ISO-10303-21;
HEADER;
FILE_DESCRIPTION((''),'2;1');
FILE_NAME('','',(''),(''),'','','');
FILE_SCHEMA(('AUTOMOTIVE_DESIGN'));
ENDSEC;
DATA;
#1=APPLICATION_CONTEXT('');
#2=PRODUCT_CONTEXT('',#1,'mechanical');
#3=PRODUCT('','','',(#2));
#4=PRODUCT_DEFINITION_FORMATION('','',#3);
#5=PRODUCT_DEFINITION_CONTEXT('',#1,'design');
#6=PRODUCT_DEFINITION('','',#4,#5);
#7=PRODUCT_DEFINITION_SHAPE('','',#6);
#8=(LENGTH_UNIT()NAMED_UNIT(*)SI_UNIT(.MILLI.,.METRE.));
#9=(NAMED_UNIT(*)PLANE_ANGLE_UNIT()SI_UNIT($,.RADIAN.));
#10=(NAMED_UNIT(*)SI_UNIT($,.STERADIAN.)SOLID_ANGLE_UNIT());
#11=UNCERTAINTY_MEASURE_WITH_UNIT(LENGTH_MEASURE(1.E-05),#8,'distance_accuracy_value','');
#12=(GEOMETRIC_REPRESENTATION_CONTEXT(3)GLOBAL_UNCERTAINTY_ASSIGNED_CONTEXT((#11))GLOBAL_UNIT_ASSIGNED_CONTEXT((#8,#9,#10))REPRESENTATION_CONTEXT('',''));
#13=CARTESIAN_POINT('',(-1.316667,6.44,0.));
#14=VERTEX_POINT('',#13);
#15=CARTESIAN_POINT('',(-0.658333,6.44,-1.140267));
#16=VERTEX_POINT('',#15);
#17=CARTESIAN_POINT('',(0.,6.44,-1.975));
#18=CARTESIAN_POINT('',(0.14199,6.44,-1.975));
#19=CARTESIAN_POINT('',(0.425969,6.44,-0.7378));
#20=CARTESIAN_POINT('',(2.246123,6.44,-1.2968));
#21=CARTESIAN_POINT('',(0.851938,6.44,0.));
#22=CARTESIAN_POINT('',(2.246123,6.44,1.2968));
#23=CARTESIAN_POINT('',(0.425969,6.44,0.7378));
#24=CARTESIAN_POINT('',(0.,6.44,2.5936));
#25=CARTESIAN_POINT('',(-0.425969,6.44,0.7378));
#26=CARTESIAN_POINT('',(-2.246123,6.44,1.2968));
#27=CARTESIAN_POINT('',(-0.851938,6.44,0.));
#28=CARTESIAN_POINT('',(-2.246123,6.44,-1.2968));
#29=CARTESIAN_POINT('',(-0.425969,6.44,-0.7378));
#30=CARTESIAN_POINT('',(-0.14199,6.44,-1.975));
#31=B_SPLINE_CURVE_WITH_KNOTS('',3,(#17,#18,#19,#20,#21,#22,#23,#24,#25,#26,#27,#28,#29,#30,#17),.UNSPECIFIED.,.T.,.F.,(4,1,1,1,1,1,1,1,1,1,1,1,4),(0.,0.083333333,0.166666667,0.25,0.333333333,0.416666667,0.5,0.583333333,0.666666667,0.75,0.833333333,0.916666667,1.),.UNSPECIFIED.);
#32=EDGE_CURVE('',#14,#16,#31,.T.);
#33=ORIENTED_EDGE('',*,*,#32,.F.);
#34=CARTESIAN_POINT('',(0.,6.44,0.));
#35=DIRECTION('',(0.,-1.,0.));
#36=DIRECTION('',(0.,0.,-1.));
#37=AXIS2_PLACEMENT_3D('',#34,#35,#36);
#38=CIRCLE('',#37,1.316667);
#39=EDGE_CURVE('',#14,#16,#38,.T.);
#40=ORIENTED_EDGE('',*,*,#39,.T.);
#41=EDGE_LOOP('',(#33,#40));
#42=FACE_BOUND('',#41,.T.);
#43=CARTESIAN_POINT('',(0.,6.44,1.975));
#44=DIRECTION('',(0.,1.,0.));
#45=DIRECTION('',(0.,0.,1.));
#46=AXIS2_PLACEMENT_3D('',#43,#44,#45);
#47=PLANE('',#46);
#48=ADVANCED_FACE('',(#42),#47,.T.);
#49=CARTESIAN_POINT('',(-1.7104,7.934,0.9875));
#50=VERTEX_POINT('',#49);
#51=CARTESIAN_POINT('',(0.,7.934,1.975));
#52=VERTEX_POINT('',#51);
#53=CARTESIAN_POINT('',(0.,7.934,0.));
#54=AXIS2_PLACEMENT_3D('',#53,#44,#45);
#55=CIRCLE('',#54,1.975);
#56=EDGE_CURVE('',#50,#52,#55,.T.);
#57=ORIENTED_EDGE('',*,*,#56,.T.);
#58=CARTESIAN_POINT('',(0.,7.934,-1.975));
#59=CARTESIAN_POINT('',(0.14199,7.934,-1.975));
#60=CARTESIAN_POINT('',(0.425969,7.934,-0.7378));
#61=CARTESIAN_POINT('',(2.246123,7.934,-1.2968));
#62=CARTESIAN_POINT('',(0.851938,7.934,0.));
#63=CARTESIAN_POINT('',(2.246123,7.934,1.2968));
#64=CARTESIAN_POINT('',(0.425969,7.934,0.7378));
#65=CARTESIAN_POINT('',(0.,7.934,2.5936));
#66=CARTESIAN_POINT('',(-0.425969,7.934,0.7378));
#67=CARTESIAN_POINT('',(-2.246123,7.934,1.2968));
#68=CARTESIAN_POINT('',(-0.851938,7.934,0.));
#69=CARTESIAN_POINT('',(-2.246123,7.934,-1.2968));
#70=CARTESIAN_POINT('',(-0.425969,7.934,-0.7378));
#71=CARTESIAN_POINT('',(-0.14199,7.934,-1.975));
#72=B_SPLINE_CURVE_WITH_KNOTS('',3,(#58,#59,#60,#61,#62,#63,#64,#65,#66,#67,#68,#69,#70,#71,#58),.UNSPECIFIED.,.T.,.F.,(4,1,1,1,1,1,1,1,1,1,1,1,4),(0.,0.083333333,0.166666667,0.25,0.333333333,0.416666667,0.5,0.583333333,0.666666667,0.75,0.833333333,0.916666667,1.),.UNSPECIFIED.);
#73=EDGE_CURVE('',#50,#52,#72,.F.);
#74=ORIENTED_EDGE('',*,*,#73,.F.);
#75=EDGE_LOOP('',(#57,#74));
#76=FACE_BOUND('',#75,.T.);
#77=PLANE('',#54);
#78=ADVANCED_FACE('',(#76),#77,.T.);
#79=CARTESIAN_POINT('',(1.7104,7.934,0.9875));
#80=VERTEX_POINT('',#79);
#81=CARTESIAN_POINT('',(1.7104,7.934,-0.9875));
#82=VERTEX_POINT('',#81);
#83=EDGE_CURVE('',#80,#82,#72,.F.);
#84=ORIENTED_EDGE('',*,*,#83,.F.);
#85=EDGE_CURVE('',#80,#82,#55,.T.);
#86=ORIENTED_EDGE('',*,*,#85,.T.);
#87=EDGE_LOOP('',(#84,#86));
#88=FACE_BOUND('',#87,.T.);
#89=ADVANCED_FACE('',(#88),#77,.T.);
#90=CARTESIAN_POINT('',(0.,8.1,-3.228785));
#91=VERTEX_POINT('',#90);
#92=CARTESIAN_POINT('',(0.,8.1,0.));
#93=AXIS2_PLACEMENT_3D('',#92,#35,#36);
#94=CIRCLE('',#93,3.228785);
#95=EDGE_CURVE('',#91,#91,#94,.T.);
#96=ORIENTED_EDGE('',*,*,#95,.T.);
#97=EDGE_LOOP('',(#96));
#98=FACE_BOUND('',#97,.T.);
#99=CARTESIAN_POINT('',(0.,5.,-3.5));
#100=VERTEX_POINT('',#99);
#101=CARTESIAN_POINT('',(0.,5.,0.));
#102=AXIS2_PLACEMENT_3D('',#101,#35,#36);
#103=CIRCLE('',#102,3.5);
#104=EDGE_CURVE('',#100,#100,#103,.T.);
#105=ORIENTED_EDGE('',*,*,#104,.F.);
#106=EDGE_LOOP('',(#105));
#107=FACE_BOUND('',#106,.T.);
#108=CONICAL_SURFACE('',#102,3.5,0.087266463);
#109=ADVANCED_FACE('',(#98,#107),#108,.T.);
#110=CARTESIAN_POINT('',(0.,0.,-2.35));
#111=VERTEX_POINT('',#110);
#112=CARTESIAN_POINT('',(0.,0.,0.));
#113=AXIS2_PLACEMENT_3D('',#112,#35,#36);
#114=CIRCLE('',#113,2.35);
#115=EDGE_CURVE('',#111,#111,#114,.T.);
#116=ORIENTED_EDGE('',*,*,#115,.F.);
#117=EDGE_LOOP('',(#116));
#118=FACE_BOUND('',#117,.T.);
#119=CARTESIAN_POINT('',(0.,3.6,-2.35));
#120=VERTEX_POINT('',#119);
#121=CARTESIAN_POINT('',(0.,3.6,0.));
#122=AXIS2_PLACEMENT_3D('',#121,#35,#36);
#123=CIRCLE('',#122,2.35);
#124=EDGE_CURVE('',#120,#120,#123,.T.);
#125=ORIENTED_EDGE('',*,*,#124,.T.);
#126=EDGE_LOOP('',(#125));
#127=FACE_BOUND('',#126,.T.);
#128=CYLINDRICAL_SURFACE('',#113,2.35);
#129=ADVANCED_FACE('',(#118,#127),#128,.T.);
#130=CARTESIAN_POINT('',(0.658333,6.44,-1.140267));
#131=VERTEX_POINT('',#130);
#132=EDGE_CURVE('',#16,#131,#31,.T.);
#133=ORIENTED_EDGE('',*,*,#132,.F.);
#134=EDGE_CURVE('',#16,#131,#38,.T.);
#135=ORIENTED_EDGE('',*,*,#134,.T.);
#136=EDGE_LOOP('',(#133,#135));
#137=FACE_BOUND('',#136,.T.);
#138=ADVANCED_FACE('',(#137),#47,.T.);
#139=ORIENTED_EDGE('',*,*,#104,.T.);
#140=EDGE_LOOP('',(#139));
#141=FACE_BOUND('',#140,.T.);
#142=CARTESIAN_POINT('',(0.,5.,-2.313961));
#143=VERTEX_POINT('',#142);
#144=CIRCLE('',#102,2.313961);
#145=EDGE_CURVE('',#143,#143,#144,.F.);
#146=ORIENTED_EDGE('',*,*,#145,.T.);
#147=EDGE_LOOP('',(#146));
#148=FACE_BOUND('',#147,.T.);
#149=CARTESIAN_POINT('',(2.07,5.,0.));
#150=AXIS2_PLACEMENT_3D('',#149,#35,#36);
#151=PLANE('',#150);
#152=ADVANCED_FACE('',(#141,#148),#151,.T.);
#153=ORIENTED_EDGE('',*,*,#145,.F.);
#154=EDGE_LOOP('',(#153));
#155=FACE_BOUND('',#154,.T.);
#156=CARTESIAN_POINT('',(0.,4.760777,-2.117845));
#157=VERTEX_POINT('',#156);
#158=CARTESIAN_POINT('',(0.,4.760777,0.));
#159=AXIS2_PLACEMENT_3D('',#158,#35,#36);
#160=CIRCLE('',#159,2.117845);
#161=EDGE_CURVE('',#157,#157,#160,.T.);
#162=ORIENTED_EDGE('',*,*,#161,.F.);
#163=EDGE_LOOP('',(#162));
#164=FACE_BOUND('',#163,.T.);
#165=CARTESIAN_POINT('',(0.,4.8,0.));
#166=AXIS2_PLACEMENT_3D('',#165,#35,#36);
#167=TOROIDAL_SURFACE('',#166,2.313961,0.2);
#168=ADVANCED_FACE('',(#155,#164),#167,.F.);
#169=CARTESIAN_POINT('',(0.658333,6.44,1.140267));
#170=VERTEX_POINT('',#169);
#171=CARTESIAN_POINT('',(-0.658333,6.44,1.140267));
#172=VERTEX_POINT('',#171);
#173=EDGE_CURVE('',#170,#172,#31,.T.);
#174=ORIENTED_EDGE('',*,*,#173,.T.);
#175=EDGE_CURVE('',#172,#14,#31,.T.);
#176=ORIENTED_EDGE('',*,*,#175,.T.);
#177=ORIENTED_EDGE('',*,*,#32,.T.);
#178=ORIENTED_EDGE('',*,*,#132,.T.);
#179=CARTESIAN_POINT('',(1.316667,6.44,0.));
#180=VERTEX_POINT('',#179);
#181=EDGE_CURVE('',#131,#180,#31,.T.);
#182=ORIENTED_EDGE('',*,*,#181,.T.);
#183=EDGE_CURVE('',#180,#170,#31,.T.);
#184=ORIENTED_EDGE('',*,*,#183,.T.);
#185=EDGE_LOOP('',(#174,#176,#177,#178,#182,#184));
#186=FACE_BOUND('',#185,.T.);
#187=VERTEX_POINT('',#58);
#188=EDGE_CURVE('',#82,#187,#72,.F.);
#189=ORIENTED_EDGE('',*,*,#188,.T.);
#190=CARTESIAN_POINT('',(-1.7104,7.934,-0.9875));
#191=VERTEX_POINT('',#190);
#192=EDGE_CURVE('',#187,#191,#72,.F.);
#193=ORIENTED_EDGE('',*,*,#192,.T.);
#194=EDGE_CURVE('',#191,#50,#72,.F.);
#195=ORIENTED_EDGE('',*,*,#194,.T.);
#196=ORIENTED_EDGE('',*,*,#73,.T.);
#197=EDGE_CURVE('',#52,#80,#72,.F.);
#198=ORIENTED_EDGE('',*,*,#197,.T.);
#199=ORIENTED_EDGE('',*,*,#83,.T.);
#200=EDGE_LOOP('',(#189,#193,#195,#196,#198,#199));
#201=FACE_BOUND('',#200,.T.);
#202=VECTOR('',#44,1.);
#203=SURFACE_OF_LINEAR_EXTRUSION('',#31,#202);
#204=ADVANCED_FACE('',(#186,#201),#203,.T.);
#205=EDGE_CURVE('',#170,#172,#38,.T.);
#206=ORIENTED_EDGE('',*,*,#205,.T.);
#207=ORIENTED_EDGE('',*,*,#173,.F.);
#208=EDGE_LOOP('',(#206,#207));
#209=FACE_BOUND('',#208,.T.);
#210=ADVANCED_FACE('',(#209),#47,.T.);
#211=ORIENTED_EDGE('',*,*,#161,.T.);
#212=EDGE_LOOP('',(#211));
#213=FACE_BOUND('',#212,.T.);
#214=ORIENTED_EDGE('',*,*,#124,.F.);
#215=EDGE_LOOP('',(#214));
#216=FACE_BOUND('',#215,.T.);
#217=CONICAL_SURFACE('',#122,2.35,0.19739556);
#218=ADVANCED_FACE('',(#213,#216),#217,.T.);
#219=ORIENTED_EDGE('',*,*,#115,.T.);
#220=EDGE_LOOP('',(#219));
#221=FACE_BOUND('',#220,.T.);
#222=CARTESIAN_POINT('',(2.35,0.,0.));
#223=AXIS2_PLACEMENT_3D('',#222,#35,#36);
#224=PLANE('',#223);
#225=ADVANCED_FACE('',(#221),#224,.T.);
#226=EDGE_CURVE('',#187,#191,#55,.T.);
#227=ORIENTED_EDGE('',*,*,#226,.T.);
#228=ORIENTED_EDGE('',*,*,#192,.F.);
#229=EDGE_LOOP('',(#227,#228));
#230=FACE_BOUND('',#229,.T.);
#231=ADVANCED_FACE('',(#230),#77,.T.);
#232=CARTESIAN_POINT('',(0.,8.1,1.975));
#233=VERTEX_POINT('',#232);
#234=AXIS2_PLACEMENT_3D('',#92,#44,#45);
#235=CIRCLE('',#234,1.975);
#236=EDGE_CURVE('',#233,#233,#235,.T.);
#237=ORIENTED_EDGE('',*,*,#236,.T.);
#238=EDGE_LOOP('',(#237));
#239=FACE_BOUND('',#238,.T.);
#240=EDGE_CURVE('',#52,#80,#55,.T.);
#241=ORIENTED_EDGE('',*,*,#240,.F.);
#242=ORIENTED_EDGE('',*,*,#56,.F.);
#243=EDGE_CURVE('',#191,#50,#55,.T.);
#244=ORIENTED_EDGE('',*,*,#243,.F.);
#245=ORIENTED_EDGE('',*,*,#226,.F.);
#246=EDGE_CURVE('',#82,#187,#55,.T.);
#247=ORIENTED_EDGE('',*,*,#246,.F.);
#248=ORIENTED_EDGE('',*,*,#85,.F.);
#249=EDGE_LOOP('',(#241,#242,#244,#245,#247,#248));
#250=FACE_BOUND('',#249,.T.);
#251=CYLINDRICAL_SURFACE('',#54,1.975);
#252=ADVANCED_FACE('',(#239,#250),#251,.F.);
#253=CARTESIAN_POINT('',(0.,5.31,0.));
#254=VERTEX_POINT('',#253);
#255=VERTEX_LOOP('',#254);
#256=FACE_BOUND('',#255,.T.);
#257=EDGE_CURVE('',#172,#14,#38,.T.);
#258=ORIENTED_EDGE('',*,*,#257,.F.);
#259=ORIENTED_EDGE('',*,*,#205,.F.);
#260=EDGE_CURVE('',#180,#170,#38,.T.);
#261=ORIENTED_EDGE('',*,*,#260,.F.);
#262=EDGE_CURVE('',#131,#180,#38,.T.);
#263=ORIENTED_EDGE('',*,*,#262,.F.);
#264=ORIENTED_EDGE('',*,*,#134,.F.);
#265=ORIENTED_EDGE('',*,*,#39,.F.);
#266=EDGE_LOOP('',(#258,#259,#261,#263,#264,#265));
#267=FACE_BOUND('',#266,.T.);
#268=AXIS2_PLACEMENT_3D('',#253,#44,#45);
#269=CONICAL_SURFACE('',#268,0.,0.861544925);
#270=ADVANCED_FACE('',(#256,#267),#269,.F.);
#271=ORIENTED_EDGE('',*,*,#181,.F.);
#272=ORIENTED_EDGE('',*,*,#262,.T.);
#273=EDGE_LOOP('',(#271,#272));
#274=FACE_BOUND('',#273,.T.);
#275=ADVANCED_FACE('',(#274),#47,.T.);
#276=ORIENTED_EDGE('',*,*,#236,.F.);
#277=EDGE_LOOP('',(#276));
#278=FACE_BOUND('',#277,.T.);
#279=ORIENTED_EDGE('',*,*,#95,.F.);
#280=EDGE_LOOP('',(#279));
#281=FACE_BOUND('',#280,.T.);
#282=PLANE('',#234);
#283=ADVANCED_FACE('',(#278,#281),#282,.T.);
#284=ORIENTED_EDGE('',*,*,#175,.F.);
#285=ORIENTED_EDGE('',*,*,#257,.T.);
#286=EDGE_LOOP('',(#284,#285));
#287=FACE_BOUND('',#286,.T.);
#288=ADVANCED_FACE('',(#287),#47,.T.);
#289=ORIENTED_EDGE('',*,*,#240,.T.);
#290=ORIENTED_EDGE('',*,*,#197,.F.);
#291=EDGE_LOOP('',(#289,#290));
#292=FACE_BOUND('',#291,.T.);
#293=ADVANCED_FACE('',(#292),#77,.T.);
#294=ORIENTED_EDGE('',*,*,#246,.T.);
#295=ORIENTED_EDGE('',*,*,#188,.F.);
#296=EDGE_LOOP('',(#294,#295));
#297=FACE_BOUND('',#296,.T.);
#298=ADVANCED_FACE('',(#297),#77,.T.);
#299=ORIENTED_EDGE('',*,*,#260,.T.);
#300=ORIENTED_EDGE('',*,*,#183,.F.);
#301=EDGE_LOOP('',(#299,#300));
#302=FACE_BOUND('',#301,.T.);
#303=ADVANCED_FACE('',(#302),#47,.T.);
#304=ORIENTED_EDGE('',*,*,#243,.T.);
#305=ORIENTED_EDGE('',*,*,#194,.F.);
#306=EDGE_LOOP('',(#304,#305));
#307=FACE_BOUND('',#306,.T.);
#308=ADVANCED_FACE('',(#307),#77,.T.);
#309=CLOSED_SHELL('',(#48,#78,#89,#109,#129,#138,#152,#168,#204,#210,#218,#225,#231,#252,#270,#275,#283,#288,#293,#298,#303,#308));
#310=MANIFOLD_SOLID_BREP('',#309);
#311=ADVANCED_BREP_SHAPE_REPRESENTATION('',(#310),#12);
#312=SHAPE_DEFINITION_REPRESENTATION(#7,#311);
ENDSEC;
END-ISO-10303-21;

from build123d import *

# Parameters (mm, degrees)
FILLET1_R                 = 0.2
SOCKET_CUT_EXTRUDE1_DEPTH = 1.66
SKETCH3_R                 = 1.975
SOCKET_CUT_EXTRUDE2_DEPTH = 0.166


with BuildPart() as part:
    # Sketch1 → Body-Revolve (revolve)
    with BuildSketch(Plane.XY, mode=Mode.PRIVATE) as body_revolve_sk:
        Polygon((0, 8.1), (3.228785143, 8.1), (3.5, 5), (2.35, 5), (2.07, 5), (2.35, 3.6), (2.35, 0), (0, 0), align=None)
    revolve(body_revolve_sk.sketch.rotate(Axis((0, 0, 0), (0, 1, 0)), 90), axis=Axis((0, 0, 0), (0, 1, 0)))

    # Fillet1
    fillet1_edges = [part.edges().sort_by_distance(p)[0] for p in [
        (0, 5, 2.07),
    ]]
    fillet(fillet1_edges, radius=FILLET1_R)

    # Sketch2 → Socket-Cut-Extrude1 (cut)
    with BuildSketch(Plane(origin=(0, 8.1, 0), x_dir=(-1, 0, 0), z_dir=(0, 1, 0))):
        with BuildLine():
            add(Edge.make_bspline(
                [(0, -1.975), (-0.141989717, -1.975), (-0.425969151, -0.737800212), (-2.246123395, -1.296799947), (-0.851938302, 0), (-2.246123395, 1.296799947), (-0.425969151, 0.737800212), (0, 2.593599894), (0.425969151, 0.737800212), (2.246123395, 1.296799947), (0.851938302, 0), (2.246123395, -1.296799947), (0.425969151, -0.737800212), (0.141989717, -1.975), (0, -1.975)],
                knots=[0, 0, 0, 0, 0.083333333, 0.166666667, 0.25, 0.333333333, 0.416666667, 0.5, 0.583333333, 0.666666667, 0.75, 0.833333333, 0.916666667, 1, 1, 1, 1], degree=3))
        make_face()
    extrude(amount=-SOCKET_CUT_EXTRUDE1_DEPTH, mode=Mode.SUBTRACT)

    # Sketch3 → Socket-Cut-Extrude2 (cut)
    with BuildSketch(Plane(origin=(0, 8.1, 0), x_dir=(-1, 0, 0), z_dir=(0, 1, 0))):
        with Locations(Location((0, 0, 0), (0, 0, 90))):
            Circle(SKETCH3_R)
    extrude(amount=-SOCKET_CUT_EXTRUDE2_DEPTH, mode=Mode.SUBTRACT)

    # Sketch4 → Drill-Cut-Revolve (revolve, cut)
    with BuildSketch(Plane.XY, mode=Mode.PRIVATE) as drill_cut_revolve_sk:
        Polygon((0, 6.44), (1.316666667, 6.44), (0, 5.31), align=None)
    revolve(drill_cut_revolve_sk.sketch.rotate(Axis((0, 0, 0), (0, 1, 0)), 270), axis=Axis((0, 0, 0), (0, 1, 0)), mode=Mode.SUBTRACT)


solid = part.part
